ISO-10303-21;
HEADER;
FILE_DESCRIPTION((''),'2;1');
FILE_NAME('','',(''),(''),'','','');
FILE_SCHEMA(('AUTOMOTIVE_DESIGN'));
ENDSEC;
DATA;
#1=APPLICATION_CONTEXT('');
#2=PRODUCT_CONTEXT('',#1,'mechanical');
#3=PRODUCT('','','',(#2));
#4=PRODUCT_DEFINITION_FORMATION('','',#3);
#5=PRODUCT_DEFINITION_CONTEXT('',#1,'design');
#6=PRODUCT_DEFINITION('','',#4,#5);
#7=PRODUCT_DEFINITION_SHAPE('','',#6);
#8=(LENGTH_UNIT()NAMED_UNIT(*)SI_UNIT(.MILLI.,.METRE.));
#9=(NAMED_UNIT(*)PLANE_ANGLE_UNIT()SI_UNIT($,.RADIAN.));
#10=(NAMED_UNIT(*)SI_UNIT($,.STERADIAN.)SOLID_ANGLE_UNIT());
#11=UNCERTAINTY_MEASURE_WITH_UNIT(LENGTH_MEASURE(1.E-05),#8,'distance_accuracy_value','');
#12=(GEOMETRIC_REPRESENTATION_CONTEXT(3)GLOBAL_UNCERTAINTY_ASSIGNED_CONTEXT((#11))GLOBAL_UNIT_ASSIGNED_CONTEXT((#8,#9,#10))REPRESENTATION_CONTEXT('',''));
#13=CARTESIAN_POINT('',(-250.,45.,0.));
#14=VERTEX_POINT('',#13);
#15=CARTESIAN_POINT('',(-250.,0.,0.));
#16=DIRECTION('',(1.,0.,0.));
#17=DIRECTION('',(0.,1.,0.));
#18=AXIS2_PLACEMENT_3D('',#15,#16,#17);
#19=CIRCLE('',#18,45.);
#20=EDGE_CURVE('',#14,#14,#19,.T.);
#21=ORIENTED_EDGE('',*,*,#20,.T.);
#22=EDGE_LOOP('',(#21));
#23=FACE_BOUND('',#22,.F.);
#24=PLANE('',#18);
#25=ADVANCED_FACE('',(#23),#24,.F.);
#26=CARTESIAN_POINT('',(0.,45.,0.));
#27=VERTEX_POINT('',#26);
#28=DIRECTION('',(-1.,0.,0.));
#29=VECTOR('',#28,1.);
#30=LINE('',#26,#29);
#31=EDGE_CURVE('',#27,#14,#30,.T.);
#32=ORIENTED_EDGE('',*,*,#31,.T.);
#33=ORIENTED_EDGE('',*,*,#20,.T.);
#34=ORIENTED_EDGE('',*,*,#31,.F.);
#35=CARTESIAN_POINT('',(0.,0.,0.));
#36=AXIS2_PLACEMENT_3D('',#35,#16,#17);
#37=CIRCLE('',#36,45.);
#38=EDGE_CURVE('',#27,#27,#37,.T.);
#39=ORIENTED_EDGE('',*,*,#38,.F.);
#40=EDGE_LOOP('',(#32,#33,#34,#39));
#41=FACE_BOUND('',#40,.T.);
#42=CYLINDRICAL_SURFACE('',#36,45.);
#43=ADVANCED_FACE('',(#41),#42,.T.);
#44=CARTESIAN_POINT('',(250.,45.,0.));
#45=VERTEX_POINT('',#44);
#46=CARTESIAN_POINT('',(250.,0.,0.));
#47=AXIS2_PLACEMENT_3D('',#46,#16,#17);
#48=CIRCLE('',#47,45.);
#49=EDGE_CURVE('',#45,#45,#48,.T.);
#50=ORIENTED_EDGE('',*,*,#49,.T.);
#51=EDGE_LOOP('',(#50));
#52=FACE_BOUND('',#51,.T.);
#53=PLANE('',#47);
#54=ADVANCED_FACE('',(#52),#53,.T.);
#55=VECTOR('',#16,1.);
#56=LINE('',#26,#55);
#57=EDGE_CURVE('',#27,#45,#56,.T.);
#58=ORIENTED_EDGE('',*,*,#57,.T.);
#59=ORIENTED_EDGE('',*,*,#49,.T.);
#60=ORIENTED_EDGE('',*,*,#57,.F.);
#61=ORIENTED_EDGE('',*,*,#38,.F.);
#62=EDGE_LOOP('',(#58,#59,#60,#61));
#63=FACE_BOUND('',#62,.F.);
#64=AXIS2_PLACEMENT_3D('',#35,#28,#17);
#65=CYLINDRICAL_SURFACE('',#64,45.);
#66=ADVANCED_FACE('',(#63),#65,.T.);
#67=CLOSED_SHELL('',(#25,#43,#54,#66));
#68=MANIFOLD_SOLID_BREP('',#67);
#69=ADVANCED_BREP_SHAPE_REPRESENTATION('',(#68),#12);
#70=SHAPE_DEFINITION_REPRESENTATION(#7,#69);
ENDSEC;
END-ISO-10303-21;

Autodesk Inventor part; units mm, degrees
ref_plane "YZ Plane" through (0, 0, 0) normal (1, 0, 0) x (0, 1, 0)
ref_plane "XZ Plane" through (0, 0, 0) normal (0, 1, 0) x (-1, 0, 0)
ref_plane "XY Plane" through (0, 0, 0) normal (0, 0, 1) x (1, 0, 0)
sketch "Boceto1" plane through (0, 0, 0) normal (1, 0, 0) x (0, 1, 0)
  circle A0 centre (0, 0) radius 45
  dimension "d0" = 90
extrude "Extrusión1" add sketch "Boceto1" along normal mid plane 500
properties part number "rodillo"
